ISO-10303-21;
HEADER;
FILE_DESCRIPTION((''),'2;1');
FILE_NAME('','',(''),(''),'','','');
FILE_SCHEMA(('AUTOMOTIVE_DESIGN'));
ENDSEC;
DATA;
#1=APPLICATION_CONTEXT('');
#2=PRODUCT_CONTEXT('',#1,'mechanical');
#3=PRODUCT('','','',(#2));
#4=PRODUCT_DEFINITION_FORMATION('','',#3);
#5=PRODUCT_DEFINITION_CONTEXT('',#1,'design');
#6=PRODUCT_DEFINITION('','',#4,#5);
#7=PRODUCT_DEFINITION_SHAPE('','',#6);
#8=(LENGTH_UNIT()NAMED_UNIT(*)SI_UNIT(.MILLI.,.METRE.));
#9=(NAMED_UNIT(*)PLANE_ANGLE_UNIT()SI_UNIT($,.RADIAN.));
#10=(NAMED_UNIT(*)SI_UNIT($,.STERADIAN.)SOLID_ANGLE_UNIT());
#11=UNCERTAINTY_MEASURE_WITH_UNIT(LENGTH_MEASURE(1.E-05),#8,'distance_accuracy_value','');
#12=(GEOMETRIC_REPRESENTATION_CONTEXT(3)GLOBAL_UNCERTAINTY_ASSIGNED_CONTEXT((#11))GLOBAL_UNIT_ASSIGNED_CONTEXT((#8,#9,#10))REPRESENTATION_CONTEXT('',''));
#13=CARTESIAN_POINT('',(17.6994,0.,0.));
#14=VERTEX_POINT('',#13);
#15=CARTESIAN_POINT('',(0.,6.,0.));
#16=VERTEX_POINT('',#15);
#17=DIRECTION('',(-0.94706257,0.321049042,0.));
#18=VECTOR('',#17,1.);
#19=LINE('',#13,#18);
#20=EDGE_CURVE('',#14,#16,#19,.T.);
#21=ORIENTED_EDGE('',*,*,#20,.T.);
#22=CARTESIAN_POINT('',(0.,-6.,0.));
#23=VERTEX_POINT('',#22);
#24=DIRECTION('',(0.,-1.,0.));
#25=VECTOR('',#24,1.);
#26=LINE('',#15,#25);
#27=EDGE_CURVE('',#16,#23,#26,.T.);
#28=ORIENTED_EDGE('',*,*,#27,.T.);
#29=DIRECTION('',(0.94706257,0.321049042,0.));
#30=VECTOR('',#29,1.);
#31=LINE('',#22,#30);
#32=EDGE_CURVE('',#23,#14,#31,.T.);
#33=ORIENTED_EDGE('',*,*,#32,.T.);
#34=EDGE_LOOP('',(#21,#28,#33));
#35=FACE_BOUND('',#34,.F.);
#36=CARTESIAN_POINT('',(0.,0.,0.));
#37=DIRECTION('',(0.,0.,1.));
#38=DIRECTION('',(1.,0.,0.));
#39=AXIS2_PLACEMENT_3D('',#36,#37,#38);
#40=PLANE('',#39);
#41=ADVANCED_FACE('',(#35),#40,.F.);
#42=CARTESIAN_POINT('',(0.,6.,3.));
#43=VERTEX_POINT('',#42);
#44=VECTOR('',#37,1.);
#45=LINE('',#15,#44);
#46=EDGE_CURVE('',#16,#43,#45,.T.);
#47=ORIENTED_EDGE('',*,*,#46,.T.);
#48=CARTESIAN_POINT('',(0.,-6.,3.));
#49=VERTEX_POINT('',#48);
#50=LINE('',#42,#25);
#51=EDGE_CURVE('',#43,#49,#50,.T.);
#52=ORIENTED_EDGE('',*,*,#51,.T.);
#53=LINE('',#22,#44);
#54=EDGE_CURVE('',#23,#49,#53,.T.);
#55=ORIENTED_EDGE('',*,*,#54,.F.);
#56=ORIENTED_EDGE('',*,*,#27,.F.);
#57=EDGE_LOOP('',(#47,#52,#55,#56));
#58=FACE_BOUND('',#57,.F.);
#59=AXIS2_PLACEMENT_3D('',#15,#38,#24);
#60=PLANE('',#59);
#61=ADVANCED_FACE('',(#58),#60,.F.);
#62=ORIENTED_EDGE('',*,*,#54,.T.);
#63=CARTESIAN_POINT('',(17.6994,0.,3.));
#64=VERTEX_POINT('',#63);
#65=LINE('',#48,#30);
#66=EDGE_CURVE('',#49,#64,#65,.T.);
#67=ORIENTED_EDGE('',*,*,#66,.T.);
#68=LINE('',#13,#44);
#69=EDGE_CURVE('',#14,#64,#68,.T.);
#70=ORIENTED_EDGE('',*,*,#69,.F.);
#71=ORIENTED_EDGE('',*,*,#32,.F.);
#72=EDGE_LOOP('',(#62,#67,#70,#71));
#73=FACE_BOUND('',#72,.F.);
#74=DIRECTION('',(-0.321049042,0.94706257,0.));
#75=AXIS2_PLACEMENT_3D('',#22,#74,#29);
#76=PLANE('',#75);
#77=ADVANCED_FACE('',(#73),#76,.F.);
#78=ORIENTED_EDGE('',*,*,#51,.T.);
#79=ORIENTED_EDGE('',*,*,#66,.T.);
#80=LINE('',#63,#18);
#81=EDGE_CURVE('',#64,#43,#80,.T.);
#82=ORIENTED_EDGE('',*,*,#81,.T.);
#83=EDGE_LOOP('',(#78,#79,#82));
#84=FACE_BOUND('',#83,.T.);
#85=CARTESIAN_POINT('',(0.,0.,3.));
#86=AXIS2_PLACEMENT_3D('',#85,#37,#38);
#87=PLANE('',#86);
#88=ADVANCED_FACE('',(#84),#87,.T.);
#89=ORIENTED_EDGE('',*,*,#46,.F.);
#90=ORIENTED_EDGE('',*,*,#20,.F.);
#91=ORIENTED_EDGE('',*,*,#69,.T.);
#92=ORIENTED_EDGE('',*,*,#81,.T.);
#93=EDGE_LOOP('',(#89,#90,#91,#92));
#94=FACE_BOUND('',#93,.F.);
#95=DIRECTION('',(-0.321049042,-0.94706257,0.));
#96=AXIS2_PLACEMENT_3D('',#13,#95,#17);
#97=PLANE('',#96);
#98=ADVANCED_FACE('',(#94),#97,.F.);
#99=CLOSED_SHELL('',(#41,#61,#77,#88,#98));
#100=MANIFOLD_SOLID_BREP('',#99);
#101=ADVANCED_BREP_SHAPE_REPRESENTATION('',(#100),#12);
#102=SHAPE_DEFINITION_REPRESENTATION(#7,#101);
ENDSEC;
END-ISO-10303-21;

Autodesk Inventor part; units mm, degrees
ref_plane "YZ Plane" through (0, 0, 0) normal (1, 0, 0) x (0, 1, 0)
ref_plane "XZ Plane" through (0, 0, 0) normal (0, 1, 0) x (-1, 0, 0)
ref_plane "XY Plane" through (0, 0, 0) normal (0, 0, 1) x (1, 0, 0)
sketch "Sketch1" plane through (0, 0, 0) normal (0, 0, 1) x (1, 0, 0)
  line L0 (-3, 10) -> (-3, -10) construction
  line L1 (3, -10) -> (3, 10) construction
  arc A0 (7.6994, 20.6994) -> (-3, 10) centre (7.6994, 10) ccw construction
  arc A1 (7.6994, 14.6994) -> (3, 10) centre (7.6994, 10) ccw construction
  line L2 (7.6994, 14.6994) -> (7.6994, 20.6994) construction
  line L3 (3, 10) -> (-3, 10) construction
  line L4 (7.6994, 14.6994) -> (27.6994, 14.6994) construction
  line L5 (27.6994, 14.6994) -> (27.6994, 20.6994) construction
  line L6 (27.6994, 20.6994) -> (7.6994, 20.6994) construction
  line L7 (18.62, 8.826) -> (21.52, 8.826) construction
  line L8 (7.27, 2.85) -> (25.1046, 2.85) construction
  line L9 (7.27, 8.826) -> (26.9771, 8.826) construction
  line L10 (3, 6) -> (-3, 6) construction
  line L11 (-3, -6) -> (3, -6) construction
  line L12 (0, 0) -> (-3, 0)
  line L13 (23.6994, 14.6994) -> (23.6994, 20.6994) construction
  line L14 (17.6994, 20.6994) -> (17.6994, 14.6994) construction
  line L15 (11.6994, 14.6994) -> (11.6994, 20.6994) construction
  line L16 (0, 6) -> (0, -6)
  line L17 (0, -6) -> (17.6994, 0)
  line L18 (17.6994, 0) -> (0, 6)
  line L19 (23.6994, 17.6994) -> (17.6994, 0)
  line L20 (11.6994, 17.6994) -> (17.6994, 0)
  line L21 (23.6994, 17.6994) -> (11.6994, 17.6994)
  point P0 (20.07, 8.826)
  dimension "d5" = 4
  dimension "d6" = 4
sketch "Sketch2" plane through (0, 0, 0) normal (0, 0, 1) x (1, 0, 0)
  line L0 (17.6994, 0) -> (0, 6) projected
  line L1 (0, -6) -> (17.6994, 0) projected
  line L2 (0, 6) -> (0, -6) projected
extrude "Extrusion1" add sketch "Sketch2" along normal blind 3
equation "\"d6\" = d5"
